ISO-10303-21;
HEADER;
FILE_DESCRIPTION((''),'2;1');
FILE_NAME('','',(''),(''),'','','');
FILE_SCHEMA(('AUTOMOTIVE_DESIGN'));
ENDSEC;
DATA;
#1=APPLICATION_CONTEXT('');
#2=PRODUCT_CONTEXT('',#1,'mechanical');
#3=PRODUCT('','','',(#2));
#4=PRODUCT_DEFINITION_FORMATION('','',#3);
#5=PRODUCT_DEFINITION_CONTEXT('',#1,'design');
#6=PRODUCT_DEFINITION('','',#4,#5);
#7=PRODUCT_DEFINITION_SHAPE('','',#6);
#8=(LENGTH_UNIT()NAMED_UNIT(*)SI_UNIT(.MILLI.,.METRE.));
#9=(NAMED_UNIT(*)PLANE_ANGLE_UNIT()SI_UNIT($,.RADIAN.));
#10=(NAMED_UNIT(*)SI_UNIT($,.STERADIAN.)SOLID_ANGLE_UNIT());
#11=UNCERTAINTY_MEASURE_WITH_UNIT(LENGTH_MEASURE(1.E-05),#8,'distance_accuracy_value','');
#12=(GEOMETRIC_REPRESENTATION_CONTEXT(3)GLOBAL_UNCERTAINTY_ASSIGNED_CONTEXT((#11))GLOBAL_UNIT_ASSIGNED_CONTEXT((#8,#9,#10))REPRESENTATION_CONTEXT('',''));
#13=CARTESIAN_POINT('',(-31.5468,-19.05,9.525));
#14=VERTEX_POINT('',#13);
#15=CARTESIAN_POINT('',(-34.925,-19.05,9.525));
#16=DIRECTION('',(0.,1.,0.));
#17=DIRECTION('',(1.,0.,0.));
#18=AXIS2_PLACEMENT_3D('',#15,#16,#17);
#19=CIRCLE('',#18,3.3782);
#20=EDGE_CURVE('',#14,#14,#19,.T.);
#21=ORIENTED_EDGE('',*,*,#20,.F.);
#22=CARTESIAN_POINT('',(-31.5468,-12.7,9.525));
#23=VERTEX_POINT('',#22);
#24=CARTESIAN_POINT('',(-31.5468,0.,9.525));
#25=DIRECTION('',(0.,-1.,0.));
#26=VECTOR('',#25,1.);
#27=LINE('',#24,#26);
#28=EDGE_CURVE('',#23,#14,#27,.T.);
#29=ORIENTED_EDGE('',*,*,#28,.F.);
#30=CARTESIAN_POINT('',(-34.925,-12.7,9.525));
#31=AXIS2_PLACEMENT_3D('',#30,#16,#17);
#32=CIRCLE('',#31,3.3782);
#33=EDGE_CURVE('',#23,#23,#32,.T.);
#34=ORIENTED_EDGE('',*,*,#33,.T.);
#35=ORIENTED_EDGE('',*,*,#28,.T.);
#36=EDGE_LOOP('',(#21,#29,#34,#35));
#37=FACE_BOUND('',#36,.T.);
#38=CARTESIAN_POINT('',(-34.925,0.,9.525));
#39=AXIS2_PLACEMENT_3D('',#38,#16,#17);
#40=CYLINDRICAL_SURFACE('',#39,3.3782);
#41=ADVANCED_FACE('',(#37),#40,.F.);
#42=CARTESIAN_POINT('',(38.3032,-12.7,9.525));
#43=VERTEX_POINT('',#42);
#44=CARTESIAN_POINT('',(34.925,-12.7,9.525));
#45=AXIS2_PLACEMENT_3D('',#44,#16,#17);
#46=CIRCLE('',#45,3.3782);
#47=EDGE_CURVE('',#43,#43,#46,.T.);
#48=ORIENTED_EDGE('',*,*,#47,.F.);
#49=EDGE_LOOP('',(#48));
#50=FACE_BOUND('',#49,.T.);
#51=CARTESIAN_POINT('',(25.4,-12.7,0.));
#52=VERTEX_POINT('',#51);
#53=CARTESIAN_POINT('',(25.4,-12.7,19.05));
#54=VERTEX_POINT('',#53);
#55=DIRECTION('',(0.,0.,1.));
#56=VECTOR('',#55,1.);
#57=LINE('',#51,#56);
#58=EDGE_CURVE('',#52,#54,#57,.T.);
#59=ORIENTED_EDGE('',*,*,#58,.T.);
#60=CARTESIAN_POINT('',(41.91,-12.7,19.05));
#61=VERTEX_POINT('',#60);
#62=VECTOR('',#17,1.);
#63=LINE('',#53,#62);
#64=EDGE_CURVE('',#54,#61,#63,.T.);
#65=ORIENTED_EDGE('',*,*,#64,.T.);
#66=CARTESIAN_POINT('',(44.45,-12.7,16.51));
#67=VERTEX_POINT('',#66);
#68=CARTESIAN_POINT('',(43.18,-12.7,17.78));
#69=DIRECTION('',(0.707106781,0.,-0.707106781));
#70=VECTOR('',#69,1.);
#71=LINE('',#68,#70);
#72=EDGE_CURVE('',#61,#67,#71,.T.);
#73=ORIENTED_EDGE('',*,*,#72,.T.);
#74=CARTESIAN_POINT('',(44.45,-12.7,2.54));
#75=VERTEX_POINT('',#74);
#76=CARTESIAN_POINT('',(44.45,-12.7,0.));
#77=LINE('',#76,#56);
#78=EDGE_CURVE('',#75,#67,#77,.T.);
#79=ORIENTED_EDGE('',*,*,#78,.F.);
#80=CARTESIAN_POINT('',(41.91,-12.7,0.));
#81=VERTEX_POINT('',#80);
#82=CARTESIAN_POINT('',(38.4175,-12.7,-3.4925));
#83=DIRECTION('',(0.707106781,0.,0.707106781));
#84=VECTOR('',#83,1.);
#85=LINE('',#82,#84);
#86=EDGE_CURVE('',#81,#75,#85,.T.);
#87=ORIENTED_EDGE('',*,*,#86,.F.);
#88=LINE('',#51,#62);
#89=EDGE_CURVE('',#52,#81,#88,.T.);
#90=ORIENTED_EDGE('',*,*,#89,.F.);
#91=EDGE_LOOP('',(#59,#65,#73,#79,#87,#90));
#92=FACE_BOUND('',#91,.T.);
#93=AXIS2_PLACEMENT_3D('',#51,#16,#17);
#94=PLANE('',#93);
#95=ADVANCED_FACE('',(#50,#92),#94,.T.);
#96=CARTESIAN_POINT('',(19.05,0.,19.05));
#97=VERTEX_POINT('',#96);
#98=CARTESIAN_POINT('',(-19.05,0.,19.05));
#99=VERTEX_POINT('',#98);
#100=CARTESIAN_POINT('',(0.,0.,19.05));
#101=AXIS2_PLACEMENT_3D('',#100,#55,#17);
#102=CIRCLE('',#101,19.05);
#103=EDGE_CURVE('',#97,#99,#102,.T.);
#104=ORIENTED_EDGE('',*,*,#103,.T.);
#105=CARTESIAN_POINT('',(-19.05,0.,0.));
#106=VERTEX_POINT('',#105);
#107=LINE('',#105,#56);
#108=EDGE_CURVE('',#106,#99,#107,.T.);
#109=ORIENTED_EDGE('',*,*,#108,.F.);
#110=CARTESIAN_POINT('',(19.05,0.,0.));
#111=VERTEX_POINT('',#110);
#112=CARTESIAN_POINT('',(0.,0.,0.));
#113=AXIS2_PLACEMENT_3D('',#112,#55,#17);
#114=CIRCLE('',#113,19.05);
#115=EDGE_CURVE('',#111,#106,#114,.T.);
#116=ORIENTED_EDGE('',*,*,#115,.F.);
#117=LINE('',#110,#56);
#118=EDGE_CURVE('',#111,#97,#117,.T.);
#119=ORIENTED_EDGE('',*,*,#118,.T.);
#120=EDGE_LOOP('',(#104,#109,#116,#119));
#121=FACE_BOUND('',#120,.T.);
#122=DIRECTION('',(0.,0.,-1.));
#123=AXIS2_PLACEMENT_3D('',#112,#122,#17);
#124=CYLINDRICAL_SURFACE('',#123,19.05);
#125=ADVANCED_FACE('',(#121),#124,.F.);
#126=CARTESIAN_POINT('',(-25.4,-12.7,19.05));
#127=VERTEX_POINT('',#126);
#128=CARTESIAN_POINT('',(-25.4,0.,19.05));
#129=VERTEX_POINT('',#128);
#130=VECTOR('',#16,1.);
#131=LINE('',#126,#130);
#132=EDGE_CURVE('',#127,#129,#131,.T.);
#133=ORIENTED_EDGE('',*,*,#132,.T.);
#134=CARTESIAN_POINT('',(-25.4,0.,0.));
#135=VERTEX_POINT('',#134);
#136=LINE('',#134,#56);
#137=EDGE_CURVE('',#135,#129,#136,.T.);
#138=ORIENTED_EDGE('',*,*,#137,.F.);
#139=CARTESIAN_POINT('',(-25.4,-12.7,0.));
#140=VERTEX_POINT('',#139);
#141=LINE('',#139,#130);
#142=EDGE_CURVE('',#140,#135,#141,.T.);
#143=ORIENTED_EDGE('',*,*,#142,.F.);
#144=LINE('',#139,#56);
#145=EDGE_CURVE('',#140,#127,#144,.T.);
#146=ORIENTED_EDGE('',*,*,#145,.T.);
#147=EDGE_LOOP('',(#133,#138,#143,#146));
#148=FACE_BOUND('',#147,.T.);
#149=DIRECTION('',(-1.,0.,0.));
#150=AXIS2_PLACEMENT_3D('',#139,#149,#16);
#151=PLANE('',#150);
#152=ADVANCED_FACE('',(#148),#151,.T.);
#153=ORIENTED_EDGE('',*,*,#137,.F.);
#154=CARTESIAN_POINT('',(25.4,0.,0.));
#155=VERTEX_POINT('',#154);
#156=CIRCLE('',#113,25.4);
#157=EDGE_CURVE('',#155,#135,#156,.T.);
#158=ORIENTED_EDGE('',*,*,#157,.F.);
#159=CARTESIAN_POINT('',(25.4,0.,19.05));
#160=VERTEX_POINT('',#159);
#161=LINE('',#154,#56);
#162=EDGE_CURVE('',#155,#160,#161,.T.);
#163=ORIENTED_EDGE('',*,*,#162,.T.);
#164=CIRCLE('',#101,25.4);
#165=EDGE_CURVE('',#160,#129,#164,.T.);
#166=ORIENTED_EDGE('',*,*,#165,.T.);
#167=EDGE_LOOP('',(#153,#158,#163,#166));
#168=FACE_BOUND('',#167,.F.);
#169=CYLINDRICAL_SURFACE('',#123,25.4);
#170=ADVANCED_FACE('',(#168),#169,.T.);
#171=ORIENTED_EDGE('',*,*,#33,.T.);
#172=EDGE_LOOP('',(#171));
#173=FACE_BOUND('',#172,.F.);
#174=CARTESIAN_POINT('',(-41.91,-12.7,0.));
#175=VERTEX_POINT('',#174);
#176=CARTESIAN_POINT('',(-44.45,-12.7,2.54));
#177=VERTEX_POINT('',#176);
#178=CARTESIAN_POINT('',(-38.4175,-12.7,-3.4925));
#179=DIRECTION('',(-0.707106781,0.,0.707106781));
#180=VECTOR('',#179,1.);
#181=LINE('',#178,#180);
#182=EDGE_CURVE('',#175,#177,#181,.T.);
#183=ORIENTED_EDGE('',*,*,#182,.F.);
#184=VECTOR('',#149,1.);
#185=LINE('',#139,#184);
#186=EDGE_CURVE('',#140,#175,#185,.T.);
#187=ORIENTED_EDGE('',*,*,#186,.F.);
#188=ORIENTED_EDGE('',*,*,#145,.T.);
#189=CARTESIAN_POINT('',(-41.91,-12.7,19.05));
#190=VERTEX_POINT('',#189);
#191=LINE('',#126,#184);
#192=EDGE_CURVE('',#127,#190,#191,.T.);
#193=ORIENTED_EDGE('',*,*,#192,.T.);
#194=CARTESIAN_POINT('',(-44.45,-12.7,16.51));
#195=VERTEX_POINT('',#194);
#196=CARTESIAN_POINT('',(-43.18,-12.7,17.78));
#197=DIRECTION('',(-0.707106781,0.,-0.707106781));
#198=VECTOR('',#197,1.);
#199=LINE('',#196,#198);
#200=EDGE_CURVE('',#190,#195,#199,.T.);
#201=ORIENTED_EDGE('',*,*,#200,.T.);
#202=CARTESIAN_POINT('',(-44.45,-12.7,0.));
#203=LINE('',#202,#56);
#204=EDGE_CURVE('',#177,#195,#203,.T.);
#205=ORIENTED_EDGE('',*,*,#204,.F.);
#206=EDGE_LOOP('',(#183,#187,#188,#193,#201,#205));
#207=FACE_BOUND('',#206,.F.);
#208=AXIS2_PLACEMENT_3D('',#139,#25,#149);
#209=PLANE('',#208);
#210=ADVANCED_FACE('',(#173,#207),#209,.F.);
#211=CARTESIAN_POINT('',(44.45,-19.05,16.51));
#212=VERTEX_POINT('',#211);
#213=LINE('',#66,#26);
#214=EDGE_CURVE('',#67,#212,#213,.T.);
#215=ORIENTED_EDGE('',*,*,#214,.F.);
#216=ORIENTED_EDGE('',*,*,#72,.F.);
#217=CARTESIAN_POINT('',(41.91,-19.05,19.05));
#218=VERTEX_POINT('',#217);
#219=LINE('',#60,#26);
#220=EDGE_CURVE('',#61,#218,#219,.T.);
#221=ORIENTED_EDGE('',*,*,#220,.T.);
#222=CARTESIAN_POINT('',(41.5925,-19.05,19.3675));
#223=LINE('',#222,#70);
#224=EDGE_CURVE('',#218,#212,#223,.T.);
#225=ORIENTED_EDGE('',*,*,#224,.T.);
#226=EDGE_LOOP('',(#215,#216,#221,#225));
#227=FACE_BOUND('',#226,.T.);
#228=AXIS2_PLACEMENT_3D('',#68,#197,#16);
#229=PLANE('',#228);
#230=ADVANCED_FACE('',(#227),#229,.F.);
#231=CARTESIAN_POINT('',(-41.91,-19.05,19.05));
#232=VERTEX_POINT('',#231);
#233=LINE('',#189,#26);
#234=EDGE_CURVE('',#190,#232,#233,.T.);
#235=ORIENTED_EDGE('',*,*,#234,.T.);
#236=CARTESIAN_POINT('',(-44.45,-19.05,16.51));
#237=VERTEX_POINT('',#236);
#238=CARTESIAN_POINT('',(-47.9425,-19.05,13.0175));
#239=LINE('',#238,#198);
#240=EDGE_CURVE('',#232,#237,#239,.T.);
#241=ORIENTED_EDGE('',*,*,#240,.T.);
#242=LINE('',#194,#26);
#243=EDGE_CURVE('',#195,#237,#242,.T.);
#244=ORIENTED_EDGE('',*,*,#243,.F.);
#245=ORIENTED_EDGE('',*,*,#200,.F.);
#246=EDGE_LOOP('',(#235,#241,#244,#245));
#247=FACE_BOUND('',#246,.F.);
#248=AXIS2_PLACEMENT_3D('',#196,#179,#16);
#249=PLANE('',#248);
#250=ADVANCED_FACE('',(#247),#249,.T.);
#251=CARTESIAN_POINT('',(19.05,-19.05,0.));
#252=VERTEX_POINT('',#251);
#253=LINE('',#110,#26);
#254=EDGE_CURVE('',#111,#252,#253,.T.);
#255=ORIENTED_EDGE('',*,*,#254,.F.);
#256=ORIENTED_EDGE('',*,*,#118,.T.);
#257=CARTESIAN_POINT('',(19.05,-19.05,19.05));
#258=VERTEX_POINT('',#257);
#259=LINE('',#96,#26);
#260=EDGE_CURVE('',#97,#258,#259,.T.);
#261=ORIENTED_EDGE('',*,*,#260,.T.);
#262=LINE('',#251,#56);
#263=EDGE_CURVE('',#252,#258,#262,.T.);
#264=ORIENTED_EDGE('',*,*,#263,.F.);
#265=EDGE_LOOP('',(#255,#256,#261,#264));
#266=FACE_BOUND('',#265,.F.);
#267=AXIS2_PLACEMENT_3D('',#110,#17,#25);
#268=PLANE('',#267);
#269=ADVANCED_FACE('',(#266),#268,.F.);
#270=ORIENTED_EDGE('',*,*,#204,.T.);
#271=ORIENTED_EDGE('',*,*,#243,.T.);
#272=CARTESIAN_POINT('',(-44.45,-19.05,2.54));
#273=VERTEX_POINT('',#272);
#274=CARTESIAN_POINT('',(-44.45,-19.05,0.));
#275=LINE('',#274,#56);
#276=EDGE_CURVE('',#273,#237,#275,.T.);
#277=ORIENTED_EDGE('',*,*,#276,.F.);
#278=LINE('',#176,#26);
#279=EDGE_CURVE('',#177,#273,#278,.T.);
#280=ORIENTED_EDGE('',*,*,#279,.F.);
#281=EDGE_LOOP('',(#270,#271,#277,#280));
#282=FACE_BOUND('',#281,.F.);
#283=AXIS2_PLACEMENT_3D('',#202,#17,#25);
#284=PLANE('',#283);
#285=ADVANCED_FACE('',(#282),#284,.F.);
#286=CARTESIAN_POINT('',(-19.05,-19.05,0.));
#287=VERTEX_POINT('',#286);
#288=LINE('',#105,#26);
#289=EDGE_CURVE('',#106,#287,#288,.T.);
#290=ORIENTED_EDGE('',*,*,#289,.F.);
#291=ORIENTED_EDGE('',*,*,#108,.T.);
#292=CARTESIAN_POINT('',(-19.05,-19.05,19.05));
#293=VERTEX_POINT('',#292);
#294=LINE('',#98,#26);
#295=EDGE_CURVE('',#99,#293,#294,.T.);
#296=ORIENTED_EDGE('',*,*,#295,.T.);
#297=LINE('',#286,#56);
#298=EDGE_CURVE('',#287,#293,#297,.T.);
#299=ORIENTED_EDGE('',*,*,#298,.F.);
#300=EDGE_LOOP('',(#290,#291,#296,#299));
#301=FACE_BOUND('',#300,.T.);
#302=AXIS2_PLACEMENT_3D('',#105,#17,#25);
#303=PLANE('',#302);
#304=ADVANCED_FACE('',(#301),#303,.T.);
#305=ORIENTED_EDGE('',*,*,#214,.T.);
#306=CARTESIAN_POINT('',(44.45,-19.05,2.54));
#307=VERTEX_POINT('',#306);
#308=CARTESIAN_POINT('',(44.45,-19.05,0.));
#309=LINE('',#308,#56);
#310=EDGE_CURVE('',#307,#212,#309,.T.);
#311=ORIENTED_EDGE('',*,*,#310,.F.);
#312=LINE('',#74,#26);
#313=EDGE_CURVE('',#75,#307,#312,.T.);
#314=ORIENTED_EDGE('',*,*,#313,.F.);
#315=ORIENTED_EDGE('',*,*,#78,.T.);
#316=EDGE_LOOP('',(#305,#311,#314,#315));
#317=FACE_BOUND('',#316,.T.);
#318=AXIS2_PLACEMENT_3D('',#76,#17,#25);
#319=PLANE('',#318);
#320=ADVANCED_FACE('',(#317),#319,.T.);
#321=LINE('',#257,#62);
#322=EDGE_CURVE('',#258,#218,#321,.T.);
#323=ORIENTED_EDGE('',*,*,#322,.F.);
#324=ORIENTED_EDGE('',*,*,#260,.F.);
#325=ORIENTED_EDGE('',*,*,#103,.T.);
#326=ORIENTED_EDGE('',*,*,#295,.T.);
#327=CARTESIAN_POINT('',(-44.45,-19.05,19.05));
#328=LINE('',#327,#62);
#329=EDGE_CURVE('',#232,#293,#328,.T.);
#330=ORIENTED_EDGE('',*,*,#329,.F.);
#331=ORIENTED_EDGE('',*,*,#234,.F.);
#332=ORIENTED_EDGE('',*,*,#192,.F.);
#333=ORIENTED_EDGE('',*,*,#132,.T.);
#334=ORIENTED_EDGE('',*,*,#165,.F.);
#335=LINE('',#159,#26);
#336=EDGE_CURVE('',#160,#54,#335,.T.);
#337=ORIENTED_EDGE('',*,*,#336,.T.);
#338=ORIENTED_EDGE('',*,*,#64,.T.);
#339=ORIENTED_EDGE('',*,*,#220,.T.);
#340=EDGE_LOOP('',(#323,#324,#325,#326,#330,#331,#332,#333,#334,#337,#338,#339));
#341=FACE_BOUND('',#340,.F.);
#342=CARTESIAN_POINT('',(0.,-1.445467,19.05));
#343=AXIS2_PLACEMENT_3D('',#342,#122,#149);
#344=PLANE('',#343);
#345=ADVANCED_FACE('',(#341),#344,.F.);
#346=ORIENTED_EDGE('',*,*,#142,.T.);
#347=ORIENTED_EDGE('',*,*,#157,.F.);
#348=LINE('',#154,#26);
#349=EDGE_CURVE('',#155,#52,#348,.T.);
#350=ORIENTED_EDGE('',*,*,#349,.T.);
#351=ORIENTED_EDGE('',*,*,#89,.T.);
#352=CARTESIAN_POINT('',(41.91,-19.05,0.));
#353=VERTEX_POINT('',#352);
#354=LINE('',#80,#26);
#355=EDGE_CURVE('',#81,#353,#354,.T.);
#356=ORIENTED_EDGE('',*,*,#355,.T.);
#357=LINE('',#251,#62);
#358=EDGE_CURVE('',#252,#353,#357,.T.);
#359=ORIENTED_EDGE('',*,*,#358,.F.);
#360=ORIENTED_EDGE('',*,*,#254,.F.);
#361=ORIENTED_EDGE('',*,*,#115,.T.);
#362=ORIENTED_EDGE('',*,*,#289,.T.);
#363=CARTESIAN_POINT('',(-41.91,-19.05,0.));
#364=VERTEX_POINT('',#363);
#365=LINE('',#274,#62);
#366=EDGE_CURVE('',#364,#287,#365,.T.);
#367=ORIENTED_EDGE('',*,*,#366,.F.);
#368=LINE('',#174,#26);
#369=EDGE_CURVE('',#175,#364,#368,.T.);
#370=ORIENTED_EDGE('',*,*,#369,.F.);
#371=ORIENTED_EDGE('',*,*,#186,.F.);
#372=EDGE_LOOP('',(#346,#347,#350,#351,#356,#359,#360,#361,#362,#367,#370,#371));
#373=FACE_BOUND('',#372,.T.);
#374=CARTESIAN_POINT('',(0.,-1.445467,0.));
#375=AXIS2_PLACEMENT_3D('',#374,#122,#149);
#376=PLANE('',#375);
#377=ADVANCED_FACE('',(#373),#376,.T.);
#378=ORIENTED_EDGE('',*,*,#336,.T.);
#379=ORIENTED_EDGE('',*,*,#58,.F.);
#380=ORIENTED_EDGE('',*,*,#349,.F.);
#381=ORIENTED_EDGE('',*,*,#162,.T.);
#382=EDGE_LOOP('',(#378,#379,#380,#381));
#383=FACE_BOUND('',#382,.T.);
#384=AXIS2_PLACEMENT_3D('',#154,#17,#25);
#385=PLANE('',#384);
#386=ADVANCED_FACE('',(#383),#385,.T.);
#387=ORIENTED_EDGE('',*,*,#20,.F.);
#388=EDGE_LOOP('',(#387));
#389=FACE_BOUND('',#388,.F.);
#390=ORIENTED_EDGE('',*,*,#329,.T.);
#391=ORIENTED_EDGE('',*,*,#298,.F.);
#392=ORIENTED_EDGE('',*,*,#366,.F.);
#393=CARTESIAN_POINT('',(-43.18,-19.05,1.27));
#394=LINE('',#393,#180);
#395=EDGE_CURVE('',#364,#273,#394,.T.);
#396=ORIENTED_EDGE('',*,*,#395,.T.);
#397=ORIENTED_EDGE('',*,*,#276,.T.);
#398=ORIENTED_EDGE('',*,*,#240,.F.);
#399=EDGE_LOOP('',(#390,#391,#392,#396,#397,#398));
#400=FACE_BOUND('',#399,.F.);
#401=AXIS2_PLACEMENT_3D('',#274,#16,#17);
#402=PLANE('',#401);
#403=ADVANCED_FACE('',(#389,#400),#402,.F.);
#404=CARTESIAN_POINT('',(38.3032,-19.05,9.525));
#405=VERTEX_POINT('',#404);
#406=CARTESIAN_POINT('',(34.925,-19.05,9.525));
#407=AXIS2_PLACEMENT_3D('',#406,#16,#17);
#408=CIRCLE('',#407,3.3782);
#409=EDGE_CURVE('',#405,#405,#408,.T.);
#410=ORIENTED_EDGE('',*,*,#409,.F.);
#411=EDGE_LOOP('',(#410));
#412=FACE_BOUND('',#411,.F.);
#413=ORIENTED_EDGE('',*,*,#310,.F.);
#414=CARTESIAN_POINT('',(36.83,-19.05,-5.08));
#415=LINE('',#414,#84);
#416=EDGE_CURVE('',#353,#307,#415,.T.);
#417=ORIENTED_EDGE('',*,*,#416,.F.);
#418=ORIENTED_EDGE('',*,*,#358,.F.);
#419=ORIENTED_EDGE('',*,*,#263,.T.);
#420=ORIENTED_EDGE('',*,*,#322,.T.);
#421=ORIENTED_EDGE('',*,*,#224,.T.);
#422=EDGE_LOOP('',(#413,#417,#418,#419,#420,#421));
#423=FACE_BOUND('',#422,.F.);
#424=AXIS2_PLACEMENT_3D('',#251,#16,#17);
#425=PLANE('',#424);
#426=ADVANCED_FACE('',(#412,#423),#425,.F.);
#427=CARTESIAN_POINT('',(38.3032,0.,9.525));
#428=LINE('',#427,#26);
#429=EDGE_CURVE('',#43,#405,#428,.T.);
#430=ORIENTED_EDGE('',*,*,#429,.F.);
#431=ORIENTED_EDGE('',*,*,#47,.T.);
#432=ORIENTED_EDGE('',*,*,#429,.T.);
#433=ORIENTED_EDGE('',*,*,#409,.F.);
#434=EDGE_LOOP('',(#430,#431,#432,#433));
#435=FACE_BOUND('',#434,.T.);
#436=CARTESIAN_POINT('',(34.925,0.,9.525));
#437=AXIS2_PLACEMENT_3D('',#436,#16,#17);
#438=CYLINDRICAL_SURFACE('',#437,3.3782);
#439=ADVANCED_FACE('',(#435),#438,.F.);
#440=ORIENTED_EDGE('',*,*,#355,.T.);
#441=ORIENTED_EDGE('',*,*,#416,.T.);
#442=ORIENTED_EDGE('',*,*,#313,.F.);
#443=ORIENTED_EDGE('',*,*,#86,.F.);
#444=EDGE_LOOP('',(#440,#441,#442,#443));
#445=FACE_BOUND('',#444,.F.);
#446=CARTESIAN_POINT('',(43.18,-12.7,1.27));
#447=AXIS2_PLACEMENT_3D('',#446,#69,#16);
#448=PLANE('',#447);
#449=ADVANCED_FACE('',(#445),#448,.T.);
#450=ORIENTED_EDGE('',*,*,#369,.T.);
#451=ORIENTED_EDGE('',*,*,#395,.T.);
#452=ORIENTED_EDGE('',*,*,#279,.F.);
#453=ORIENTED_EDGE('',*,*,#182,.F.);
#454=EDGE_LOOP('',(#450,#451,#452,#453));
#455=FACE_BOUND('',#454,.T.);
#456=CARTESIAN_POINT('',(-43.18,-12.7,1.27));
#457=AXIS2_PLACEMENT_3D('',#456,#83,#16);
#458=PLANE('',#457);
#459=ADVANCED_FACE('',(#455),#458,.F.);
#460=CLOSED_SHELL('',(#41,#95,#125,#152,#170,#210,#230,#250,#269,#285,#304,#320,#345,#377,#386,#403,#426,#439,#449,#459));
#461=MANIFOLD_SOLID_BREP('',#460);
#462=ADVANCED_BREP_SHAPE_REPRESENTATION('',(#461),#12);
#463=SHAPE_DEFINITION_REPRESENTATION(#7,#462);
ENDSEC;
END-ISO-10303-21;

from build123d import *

# Parameters (mm, degrees)
PAD_DEPTH    = 19.05
SKETCH001_R  = 3.3782
HOLE_DEPTH   = 24.9936
CHAMFER_SIZE = 2.54


with BuildPart() as part:
    # Sketch → Pad (new body)
    with BuildSketch(Plane.XY):
        with BuildLine():
            ThreePointArc((19.05, 0), (0, 19.05), (-19.05, 0))
            Line((-19.05, 0), (-19.05, -19.05))
            Line((-19.05, -19.05), (-25.4, -19.05))
            Line((-44.45, -19.05), (-25.4, -19.05))
            Line((-44.45, -12.7), (-44.45, -19.05))
            Line((-25.4, -12.7), (-44.45, -12.7))
            Line((-25.4, -12.7), (-25.4, 0))
            ThreePointArc((25.4, 0), (0, 25.4), (-25.4, 0))
            Line((25.4, 0), (25.4, -12.7))
            Line((25.4, -12.7), (44.45, -12.7))
            Line((44.45, -12.7), (44.45, -19.05))
            Line((44.45, -19.05), (25.4, -19.05))
            Line((19.05, -19.05), (25.4, -19.05))
            Line((19.05, 0), (19.05, -19.05))
        make_face()
    extrude(amount=PAD_DEPTH)

    # Sketch001 → Hole (cut)
    with BuildSketch(Plane.XZ):
        with Locations((34.925, 9.525)):
            Circle(SKETCH001_R)
        with Locations((-34.925, 9.525)):
            Circle(SKETCH001_R)
    extrude(amount=HOLE_DEPTH, mode=Mode.SUBTRACT)

    # Chamfer
    chamfer_edges = [part.edges().sort_by_distance(p)[0] for p in [
        (-44.45, -15.875, 19.05),
        (-44.45, -15.875, 0),
        (44.45, -15.875, 0),
        (44.45, -15.875, 19.05),
    ]]
    chamfer(chamfer_edges, length=CHAMFER_SIZE)


solid = part.part
